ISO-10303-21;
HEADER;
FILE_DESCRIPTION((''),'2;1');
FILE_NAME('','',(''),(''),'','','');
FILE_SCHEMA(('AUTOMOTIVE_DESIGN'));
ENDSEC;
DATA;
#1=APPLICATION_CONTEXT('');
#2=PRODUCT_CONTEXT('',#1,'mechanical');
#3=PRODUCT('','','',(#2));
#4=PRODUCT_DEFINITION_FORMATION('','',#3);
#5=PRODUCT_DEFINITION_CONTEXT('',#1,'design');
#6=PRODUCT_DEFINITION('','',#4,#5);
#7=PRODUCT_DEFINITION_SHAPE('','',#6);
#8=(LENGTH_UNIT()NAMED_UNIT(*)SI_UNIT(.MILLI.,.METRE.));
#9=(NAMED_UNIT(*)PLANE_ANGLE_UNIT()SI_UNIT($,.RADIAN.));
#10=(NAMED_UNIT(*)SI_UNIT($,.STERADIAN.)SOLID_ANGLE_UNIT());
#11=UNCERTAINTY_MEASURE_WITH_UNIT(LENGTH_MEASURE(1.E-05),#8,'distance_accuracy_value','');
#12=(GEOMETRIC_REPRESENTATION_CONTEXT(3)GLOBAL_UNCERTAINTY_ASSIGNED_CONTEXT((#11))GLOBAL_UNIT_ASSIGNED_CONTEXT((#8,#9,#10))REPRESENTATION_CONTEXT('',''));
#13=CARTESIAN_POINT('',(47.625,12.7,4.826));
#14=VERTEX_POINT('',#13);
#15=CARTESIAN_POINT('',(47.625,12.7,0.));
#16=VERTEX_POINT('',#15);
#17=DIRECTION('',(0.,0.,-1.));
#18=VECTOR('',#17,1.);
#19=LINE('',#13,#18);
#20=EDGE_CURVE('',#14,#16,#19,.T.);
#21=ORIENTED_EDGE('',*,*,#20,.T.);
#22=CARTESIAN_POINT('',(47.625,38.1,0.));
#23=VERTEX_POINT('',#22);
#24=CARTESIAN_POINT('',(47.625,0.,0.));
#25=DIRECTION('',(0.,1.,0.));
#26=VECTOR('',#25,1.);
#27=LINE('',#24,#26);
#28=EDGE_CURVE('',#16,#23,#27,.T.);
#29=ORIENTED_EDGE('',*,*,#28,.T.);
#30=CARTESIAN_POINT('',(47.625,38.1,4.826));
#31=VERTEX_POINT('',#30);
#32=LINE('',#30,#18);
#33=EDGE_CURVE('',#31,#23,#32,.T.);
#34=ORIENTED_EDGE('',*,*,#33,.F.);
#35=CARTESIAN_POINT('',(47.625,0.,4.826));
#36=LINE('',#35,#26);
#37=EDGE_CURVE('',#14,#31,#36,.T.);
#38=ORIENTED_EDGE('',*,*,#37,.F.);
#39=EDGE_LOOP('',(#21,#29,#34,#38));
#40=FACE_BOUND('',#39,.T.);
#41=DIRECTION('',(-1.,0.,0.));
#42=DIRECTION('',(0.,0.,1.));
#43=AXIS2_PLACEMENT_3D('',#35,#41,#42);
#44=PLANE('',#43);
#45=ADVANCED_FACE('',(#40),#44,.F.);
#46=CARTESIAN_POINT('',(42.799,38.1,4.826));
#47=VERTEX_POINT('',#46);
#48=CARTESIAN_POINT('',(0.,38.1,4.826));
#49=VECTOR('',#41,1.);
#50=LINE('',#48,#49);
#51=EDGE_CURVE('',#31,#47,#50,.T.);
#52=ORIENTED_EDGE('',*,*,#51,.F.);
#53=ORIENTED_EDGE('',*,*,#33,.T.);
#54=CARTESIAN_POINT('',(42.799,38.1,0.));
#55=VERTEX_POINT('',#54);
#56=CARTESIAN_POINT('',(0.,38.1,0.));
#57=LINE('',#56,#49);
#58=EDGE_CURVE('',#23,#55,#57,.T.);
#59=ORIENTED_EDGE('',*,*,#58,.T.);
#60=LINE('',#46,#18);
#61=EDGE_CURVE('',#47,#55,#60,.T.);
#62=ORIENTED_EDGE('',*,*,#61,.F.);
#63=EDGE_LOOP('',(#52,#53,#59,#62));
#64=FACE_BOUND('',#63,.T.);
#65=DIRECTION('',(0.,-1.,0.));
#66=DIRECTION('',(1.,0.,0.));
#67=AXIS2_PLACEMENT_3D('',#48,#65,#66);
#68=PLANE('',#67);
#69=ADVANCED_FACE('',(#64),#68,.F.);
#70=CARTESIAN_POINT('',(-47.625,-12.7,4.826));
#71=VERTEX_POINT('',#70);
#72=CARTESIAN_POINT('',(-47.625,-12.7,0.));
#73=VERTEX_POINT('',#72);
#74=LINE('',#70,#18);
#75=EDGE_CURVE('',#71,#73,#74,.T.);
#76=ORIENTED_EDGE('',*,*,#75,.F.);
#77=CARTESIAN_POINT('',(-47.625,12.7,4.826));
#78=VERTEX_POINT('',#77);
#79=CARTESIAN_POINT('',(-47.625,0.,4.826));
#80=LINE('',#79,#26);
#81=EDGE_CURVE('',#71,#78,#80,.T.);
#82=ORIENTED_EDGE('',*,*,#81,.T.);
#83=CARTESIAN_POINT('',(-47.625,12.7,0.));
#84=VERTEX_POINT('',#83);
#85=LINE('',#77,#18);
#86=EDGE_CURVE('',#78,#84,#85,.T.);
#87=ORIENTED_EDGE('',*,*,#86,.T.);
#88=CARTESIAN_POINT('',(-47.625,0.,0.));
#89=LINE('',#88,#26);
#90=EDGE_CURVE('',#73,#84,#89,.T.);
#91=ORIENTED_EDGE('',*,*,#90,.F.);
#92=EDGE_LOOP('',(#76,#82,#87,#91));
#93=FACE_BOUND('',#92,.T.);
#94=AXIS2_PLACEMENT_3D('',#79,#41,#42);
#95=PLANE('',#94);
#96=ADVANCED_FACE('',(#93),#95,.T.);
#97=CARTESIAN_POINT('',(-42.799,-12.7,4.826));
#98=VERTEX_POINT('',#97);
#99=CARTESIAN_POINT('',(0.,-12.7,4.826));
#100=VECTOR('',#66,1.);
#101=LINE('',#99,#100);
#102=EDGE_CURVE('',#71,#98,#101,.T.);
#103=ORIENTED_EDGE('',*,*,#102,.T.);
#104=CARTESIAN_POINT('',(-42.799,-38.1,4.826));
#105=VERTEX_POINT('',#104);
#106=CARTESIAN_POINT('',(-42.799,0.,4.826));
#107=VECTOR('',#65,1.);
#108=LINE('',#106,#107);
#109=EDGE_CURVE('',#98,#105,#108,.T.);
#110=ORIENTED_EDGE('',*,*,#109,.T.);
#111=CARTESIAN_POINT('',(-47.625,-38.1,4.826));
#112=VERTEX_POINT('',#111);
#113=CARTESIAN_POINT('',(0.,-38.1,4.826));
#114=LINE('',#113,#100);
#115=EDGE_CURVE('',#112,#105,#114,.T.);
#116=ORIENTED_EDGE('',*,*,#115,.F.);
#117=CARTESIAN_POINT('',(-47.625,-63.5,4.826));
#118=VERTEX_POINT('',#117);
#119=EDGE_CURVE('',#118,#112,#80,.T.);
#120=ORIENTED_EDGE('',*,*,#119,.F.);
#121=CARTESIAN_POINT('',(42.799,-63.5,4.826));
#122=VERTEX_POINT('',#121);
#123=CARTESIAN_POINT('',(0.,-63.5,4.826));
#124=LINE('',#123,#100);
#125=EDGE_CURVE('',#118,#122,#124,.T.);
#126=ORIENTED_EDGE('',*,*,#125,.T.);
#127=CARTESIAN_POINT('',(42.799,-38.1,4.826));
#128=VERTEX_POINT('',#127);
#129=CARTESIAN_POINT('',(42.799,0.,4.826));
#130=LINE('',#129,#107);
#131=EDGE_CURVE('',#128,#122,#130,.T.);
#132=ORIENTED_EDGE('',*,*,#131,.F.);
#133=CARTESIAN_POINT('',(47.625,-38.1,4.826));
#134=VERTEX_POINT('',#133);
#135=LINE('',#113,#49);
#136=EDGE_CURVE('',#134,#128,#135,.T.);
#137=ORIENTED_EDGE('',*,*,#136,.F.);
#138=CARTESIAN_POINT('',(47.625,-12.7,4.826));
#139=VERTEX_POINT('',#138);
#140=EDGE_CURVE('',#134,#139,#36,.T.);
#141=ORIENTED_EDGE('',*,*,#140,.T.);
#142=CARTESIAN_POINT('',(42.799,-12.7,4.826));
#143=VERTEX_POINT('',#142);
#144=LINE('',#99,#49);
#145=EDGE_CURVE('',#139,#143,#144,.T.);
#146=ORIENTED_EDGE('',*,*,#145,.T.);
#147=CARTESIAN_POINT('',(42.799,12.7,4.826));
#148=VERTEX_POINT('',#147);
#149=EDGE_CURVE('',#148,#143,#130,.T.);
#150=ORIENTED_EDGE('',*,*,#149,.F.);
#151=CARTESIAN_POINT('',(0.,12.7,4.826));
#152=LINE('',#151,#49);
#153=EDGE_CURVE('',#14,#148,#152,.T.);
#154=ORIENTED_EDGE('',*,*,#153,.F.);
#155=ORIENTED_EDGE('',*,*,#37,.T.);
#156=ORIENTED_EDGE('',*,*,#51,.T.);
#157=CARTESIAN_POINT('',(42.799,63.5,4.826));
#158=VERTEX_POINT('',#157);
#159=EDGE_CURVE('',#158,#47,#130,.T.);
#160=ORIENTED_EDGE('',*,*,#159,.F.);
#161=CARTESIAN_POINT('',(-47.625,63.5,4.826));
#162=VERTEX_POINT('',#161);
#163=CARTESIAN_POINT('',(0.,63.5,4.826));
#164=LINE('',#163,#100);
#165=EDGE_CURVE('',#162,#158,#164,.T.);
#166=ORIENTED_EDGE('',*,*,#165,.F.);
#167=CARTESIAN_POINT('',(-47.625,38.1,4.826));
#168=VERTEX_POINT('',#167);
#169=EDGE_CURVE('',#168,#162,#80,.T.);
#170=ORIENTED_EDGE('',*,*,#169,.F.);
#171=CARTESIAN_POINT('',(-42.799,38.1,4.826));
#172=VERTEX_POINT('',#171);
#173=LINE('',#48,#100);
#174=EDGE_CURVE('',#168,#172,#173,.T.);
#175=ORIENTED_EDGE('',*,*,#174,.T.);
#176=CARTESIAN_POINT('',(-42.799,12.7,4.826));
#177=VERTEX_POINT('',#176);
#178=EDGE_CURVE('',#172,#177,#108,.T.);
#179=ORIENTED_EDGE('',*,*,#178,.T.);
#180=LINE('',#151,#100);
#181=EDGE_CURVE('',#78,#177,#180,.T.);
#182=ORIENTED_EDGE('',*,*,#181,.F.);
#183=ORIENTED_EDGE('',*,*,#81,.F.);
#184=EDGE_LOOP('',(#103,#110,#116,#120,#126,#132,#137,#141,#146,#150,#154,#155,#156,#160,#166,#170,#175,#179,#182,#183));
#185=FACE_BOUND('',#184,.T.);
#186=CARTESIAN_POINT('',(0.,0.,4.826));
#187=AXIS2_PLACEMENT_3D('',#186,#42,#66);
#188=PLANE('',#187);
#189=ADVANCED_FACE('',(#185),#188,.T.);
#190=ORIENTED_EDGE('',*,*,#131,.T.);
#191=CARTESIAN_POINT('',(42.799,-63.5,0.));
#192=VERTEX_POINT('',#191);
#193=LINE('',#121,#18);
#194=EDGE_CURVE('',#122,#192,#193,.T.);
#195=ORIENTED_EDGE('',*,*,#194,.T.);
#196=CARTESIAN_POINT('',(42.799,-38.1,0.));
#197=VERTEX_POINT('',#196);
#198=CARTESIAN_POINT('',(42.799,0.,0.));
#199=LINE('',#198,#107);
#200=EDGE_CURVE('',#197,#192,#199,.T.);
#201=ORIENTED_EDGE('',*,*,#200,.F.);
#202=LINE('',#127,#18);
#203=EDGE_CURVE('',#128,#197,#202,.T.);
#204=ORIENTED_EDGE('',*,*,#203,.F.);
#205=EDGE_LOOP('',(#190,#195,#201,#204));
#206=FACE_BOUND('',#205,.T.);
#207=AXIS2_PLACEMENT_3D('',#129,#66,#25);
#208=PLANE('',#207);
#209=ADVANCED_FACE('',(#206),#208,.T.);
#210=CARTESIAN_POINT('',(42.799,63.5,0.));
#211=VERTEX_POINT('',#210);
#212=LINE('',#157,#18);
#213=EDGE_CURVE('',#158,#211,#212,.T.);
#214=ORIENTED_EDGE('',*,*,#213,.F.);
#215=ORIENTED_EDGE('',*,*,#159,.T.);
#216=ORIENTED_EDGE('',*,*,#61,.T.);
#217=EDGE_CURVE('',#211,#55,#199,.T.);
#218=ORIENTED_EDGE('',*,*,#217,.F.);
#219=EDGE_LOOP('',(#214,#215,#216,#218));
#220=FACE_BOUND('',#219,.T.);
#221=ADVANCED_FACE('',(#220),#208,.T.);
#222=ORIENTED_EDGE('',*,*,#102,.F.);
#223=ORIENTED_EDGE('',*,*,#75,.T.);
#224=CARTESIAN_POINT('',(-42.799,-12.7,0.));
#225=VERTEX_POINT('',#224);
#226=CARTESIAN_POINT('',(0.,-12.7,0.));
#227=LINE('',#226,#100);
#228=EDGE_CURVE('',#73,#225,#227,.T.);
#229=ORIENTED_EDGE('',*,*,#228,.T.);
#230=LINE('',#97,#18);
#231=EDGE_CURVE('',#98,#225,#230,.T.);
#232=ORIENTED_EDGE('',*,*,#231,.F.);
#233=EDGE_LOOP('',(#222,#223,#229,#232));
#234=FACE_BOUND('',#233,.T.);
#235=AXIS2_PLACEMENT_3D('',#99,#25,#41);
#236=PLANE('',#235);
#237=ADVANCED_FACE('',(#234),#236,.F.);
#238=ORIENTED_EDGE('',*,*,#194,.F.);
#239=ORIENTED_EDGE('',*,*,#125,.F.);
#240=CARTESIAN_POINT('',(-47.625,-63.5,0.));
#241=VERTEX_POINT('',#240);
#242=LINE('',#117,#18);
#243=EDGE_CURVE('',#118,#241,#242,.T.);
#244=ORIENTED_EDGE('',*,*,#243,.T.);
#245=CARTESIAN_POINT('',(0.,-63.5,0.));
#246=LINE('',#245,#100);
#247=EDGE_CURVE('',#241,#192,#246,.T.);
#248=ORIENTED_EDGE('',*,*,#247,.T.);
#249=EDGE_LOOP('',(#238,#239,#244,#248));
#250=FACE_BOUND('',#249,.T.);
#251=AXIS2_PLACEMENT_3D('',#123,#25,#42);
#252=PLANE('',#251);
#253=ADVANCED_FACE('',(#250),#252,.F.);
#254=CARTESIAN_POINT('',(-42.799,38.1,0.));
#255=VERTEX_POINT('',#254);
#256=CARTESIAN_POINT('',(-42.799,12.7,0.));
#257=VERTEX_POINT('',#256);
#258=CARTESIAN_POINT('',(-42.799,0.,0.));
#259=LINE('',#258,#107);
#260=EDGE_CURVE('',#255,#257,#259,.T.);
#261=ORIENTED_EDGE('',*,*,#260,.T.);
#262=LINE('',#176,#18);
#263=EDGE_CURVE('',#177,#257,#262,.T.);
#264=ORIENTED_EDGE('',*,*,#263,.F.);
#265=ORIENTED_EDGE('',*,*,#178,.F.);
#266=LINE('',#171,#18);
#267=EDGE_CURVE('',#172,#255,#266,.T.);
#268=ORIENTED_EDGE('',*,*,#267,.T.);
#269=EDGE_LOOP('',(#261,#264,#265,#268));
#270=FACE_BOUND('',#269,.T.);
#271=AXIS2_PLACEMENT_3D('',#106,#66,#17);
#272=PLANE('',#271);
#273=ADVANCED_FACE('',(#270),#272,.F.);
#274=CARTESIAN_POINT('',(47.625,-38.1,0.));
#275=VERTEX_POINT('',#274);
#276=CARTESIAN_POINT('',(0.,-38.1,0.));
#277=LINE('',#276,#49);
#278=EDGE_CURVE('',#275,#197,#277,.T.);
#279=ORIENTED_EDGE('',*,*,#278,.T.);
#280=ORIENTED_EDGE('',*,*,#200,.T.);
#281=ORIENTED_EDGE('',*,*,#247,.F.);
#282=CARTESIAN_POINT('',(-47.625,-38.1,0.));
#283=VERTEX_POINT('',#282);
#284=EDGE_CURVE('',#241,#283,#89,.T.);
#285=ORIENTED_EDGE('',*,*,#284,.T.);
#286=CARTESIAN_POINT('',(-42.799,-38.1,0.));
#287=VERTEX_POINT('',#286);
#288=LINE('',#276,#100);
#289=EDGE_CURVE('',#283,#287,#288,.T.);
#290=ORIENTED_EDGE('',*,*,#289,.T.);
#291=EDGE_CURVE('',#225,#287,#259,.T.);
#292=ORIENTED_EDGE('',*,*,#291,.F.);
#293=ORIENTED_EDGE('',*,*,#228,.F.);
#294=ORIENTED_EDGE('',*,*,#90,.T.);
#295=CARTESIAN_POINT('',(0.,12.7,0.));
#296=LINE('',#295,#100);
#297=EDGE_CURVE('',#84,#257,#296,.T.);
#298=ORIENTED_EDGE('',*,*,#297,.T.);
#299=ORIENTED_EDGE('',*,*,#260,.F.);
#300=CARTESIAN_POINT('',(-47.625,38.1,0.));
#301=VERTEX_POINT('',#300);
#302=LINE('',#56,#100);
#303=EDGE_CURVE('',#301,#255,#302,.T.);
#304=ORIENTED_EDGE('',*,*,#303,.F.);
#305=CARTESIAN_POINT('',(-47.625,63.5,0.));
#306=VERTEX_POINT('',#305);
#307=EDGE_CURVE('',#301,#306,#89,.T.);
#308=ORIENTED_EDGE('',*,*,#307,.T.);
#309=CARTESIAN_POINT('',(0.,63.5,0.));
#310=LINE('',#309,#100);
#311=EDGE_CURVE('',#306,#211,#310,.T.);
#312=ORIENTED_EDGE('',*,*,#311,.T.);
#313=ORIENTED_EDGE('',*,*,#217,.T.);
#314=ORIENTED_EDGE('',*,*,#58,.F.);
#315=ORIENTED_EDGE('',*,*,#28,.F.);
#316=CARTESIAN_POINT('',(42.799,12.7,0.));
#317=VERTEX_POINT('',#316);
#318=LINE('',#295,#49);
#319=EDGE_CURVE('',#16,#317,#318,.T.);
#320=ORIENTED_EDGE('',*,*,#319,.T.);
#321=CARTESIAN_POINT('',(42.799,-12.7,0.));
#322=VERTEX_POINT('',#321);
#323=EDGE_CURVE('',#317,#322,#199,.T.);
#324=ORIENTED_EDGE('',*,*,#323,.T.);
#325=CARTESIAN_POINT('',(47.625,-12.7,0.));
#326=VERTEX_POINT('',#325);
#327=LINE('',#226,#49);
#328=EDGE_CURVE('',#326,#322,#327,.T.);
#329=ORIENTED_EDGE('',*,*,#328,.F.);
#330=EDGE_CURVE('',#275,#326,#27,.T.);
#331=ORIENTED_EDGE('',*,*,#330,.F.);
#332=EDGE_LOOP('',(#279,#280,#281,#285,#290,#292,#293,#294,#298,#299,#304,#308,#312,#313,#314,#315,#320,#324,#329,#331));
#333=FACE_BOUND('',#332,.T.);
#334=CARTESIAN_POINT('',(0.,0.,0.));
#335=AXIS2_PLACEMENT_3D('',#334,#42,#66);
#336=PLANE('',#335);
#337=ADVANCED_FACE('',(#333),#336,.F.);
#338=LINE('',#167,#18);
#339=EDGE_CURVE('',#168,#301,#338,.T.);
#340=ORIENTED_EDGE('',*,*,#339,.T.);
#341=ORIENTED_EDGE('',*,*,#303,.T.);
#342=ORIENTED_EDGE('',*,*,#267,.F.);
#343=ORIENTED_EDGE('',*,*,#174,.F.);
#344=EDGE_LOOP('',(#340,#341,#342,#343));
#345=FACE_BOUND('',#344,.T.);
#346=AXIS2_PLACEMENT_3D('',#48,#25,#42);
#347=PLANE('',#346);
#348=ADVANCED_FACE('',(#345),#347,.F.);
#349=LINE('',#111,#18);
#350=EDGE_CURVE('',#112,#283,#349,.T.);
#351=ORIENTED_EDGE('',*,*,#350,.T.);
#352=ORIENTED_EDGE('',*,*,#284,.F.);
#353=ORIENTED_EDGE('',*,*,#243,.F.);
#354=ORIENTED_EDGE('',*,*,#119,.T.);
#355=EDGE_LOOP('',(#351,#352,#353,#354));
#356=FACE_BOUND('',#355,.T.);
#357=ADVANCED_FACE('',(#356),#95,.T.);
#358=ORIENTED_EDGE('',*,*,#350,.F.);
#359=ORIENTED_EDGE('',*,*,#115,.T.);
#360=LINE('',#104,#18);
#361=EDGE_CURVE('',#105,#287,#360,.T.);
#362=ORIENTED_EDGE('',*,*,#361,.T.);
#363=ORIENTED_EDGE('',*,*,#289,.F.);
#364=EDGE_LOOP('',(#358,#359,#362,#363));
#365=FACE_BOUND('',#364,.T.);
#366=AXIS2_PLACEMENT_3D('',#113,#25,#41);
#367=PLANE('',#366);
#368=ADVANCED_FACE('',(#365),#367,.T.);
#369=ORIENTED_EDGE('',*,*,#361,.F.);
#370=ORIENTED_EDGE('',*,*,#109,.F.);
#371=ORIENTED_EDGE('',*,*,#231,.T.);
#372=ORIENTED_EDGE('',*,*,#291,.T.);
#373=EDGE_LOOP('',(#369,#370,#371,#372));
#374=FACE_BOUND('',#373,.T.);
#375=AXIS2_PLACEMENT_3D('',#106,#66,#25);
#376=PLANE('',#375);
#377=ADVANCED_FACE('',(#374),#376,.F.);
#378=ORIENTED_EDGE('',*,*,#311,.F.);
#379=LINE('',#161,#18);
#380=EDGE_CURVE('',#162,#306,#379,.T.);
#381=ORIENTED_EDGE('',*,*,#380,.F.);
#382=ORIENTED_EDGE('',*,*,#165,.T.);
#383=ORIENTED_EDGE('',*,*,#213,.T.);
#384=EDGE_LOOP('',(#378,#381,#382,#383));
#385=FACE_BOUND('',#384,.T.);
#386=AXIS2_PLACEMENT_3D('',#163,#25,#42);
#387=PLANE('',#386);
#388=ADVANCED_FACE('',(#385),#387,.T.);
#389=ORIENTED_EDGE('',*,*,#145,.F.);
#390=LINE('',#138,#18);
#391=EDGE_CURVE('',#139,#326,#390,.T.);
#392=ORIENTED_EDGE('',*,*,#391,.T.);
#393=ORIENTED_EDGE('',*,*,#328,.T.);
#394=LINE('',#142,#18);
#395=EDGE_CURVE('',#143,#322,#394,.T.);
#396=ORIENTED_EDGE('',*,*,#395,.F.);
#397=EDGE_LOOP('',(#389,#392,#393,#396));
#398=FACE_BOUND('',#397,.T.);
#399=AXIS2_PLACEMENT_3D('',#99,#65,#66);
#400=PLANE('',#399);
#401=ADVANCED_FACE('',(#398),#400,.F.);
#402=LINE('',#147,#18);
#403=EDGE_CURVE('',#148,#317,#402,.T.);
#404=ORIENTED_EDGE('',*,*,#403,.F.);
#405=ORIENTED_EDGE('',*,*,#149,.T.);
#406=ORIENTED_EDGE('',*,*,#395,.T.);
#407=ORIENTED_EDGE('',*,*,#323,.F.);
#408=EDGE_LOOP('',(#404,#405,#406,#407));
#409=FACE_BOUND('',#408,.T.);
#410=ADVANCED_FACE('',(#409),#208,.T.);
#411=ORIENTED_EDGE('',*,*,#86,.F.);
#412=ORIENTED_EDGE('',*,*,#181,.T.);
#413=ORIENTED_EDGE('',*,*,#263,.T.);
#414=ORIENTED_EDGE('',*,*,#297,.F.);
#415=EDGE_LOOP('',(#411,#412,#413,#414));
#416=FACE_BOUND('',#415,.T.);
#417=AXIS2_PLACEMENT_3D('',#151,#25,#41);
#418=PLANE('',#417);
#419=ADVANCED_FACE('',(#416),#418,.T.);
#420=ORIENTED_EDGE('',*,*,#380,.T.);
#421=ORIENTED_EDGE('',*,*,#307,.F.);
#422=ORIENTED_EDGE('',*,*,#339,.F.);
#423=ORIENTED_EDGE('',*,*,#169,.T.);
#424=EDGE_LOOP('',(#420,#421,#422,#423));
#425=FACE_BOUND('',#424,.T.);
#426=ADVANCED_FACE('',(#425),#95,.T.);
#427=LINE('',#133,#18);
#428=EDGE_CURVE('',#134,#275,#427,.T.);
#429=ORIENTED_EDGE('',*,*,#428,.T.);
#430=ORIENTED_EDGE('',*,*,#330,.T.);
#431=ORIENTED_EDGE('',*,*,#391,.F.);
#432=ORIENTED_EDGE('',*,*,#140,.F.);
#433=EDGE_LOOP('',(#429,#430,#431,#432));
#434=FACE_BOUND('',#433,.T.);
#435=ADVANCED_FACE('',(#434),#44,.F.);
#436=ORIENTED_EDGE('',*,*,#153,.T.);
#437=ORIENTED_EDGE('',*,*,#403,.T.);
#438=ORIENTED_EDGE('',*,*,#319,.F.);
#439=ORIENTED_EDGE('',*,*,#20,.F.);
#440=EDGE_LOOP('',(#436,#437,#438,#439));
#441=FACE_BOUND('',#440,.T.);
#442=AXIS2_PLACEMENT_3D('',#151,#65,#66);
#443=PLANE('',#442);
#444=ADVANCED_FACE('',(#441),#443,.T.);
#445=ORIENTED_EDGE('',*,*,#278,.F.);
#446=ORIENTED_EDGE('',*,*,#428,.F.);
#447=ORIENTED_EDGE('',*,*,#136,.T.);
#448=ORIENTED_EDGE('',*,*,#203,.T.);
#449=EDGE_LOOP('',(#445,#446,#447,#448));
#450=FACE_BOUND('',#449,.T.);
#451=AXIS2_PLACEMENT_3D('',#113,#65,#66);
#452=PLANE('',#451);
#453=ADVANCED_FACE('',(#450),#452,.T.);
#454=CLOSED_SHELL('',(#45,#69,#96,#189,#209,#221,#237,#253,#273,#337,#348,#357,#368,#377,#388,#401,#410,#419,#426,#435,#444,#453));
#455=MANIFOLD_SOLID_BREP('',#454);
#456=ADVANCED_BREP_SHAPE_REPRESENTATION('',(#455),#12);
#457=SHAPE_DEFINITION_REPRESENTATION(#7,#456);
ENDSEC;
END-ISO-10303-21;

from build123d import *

# Parameters (mm, degrees)
BOSS_EXTRUDE1_DEPTH = 4.826


with BuildPart() as part:
    # Sketch1 → Boss-Extrude1 (new body)
    with BuildSketch(Plane.XY):
        Polygon((-47.625, -38.1), (-47.625, -63.5), (42.799, -63.5), (42.799, -38.1), (47.625, -38.1), (47.625, -12.7), (42.799, -12.7), (42.799, 12.7), (47.625, 12.7), (47.625, 38.1), (42.799, 38.1), (42.799, 63.5), (-47.625, 63.5), (-47.625, 38.1), (-42.799, 38.1), (-42.799, 12.7), (-47.625, 12.7), (-47.625, -12.7), (-42.799, -12.7), (-42.799, -38.1), align=None)
    extrude(amount=BOSS_EXTRUDE1_DEPTH)


solid = part.part
